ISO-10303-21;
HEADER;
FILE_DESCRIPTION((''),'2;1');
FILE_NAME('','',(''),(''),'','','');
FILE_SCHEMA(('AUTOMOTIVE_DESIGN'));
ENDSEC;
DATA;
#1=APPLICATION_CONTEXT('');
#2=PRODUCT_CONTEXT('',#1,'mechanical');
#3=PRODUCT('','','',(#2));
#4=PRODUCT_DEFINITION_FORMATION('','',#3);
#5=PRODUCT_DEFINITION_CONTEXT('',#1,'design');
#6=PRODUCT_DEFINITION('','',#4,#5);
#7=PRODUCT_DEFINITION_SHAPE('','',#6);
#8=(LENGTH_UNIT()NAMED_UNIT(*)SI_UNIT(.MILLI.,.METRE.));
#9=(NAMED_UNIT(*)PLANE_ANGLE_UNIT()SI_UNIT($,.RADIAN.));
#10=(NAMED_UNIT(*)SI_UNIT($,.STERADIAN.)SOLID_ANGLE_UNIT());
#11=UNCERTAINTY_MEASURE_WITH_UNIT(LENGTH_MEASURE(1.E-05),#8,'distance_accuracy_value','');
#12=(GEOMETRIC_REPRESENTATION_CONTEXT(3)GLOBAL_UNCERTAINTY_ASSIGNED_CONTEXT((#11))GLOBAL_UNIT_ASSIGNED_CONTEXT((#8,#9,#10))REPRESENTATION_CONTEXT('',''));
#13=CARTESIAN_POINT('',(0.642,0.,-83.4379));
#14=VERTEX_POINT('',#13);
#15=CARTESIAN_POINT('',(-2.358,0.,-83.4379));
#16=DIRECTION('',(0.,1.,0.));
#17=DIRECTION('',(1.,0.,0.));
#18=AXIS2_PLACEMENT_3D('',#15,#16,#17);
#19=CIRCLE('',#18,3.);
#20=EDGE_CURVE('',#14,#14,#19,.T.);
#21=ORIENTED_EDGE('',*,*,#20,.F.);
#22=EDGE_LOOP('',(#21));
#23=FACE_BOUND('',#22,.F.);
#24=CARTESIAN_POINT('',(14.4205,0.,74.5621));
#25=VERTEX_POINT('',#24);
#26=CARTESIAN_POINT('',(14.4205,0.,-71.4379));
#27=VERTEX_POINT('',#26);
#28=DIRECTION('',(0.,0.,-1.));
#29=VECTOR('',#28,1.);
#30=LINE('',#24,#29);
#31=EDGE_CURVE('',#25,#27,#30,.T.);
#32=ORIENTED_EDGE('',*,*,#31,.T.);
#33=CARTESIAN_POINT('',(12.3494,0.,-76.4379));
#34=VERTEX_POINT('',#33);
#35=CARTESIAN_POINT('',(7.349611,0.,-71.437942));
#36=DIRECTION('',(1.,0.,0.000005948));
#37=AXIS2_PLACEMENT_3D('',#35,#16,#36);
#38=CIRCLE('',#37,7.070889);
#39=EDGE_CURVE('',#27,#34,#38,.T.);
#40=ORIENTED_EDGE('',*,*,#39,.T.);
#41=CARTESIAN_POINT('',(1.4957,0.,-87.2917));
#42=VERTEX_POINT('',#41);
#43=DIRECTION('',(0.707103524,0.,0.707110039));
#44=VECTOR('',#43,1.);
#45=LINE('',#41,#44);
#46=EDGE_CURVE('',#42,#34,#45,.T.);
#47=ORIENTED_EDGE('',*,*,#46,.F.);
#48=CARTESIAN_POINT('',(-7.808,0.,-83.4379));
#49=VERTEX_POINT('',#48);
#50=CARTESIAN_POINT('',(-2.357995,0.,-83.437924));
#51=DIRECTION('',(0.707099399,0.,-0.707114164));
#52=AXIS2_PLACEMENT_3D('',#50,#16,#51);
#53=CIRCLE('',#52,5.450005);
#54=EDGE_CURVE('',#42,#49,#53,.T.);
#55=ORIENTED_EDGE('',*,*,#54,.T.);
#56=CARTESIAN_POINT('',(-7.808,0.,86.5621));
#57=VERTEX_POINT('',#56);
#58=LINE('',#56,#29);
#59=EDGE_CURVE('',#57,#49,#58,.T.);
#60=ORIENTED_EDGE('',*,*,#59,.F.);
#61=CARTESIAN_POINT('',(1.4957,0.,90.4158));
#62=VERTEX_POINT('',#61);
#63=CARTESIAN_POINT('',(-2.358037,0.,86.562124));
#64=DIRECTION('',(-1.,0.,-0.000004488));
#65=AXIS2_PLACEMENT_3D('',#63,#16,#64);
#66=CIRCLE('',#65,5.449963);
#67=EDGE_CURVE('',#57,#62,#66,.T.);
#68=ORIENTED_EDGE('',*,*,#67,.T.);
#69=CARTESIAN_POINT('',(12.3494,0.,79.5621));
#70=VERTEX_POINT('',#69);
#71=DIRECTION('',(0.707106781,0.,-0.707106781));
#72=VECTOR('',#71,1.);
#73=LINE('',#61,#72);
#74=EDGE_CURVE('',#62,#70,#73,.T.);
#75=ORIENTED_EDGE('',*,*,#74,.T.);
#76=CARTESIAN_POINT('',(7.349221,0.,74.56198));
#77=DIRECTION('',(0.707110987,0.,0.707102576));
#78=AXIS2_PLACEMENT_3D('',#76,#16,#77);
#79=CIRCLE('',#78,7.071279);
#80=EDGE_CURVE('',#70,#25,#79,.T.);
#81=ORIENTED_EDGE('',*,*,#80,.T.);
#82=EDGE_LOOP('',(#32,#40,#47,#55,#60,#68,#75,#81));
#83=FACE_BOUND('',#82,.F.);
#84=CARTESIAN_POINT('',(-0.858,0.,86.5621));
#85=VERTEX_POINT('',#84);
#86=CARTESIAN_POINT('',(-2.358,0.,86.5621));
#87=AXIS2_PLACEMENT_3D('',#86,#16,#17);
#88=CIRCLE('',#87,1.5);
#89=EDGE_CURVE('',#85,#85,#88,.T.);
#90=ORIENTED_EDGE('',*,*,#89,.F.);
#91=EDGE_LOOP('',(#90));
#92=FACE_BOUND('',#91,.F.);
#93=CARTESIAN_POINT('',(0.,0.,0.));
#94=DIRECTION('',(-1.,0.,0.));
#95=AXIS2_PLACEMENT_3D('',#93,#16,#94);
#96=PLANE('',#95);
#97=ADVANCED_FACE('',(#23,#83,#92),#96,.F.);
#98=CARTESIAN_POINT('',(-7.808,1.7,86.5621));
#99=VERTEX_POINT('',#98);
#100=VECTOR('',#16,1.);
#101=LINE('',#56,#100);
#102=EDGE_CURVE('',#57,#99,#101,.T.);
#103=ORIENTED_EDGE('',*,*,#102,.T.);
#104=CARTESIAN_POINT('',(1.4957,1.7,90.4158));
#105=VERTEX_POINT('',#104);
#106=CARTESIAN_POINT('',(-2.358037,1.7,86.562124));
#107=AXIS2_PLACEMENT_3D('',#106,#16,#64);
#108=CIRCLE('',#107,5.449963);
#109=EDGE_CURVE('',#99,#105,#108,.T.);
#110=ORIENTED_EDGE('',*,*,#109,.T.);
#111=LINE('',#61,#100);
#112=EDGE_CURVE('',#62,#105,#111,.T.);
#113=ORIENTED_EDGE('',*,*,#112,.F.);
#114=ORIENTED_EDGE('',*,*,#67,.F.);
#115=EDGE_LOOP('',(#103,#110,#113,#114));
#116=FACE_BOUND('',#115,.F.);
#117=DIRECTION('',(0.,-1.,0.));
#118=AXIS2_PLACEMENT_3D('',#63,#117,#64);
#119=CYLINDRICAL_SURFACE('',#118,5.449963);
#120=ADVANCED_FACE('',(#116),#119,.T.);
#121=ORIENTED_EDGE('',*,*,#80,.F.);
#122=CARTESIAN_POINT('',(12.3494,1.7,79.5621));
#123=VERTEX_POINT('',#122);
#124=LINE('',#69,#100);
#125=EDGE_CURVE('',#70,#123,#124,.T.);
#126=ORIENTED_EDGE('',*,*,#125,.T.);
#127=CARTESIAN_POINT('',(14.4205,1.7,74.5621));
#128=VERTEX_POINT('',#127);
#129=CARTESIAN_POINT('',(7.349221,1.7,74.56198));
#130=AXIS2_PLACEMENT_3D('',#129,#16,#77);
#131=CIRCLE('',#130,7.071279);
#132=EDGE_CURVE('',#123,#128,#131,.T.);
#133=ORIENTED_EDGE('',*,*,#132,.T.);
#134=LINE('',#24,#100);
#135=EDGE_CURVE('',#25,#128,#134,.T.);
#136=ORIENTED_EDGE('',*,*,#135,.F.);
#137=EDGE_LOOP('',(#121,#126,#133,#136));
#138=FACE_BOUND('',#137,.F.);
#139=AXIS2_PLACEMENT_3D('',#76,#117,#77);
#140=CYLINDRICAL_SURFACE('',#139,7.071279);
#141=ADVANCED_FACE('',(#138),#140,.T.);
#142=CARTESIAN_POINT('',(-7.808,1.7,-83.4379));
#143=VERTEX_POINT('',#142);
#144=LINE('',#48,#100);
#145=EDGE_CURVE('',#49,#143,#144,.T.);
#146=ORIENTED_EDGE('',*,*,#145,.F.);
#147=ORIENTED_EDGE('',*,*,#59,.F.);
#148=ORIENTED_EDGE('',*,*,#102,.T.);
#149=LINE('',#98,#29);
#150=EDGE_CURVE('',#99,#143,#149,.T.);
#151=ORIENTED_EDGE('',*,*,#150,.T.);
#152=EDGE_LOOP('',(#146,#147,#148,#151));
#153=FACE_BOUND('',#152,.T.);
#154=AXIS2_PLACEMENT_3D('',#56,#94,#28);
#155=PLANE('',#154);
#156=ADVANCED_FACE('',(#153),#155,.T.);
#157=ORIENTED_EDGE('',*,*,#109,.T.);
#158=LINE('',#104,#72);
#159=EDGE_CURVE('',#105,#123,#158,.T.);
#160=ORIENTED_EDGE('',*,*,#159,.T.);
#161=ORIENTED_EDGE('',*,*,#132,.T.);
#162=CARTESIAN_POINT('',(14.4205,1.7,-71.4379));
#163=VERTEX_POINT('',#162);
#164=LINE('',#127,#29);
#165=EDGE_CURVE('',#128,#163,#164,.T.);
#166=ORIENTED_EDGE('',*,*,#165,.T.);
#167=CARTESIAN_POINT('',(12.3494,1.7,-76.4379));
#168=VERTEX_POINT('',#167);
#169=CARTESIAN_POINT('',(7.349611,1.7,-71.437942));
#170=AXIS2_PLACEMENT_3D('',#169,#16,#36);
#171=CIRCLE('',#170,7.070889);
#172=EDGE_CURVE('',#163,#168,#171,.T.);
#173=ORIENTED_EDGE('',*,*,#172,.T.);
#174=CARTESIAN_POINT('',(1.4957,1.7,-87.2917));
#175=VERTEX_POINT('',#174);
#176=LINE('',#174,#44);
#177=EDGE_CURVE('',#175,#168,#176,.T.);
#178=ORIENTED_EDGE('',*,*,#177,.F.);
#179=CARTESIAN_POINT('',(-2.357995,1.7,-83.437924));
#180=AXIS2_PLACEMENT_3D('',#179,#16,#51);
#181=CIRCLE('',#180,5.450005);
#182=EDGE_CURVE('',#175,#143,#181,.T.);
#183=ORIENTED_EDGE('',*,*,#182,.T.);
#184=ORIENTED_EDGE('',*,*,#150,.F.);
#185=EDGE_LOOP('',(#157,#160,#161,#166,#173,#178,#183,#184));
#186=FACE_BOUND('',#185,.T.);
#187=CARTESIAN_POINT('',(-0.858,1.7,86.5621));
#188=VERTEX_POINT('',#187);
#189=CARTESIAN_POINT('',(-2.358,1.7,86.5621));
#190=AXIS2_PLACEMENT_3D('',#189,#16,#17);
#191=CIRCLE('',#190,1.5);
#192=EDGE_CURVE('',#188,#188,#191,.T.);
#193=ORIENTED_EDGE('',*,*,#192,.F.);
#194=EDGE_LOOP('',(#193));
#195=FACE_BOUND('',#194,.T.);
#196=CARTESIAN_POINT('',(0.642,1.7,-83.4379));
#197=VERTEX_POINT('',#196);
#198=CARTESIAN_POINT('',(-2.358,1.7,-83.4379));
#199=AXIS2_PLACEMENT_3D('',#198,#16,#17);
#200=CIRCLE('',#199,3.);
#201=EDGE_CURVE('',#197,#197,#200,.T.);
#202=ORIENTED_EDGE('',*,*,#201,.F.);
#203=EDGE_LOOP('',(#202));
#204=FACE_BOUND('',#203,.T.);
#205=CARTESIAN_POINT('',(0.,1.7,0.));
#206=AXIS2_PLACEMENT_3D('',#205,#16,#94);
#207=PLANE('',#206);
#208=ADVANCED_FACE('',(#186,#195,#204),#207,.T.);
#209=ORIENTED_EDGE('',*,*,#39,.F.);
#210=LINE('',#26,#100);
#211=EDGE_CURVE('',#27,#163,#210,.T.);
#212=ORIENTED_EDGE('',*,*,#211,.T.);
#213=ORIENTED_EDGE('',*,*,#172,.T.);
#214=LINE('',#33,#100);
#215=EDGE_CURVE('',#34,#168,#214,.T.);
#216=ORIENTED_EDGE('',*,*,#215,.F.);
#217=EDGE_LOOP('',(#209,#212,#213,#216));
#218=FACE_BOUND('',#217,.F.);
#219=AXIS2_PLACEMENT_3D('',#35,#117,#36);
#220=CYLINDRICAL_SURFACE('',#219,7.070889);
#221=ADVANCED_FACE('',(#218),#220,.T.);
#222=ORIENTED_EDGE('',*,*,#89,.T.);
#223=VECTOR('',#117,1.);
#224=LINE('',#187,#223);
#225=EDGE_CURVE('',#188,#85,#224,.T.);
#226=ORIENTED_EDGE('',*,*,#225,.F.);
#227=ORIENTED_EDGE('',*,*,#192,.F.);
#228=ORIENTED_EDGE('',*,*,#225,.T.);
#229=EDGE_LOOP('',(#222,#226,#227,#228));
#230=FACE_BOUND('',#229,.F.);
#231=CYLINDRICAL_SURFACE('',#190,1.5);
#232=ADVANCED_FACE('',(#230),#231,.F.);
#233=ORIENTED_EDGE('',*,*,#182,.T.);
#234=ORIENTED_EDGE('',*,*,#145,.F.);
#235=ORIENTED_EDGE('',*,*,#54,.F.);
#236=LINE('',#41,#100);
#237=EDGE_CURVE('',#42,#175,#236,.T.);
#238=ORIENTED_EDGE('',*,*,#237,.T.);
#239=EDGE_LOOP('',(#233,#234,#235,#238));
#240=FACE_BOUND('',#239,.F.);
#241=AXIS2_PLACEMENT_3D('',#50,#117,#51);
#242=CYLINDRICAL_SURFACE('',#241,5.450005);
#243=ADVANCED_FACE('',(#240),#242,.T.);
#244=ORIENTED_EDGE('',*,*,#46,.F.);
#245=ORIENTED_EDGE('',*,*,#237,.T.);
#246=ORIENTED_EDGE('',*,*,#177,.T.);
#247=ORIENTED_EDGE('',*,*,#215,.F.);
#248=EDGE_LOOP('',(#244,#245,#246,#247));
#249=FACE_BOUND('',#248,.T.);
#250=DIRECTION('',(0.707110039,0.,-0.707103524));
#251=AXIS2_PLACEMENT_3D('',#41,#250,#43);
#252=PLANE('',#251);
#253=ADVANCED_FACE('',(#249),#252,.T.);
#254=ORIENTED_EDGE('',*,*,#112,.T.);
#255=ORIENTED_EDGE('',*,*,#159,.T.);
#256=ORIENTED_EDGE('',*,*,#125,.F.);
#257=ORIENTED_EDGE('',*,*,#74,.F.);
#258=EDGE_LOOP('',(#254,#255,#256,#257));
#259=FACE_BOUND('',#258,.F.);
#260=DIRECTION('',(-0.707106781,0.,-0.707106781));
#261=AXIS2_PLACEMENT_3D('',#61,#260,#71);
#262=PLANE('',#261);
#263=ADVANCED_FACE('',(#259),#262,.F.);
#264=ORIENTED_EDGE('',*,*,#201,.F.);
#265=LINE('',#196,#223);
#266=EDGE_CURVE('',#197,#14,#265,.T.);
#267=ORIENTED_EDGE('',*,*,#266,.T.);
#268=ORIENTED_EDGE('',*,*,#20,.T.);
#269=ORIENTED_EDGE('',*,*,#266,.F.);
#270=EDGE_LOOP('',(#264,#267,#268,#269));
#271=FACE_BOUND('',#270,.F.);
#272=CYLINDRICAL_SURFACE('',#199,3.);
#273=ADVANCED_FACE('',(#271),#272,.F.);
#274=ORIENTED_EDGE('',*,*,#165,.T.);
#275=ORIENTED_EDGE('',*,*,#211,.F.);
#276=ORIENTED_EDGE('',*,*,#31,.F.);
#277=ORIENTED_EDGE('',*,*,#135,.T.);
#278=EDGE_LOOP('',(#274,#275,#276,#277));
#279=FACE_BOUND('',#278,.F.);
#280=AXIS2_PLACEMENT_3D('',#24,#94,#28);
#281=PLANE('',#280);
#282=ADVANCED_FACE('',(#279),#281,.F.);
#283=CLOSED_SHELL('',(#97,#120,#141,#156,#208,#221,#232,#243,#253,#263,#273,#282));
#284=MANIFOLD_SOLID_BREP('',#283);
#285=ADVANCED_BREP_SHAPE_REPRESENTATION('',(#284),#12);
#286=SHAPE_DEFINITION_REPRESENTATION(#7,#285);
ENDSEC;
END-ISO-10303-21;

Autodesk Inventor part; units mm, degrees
ref_plane "YZ Plane" through (0, 0, 0) normal (1, 0, 0) x (0, 1, 0)
ref_plane "XZ Plane" through (0, 0, 0) normal (0, 1, 0) x (-1, 0, 0)
ref_plane "XY Plane" through (0, 0, 0) normal (0, 0, 1) x (1, 0, 0)
sketch "Sketch1" plane through (0, 0, 0) normal (0, 1, 0) x (-1, 0, 0)
  arc A0 (7.808, 86.5621) -> (-1.4957, 90.4158) centre (2.358, 86.5621) ccw
  line L0 (7.808, 86.5621) -> (7.808, -83.4379)
  line L1 (-1.4957, 90.4158) -> (-12.3494, 79.5621)
  arc A1 (-12.3494, 79.5621) -> (-14.4205, 74.5621) centre (-7.3494, 74.5621) ccw
  line L2 (-14.4205, 74.5621) -> (-14.4205, -71.4379)
  arc A2 (-1.4957, -87.2917) -> (7.808, -83.4379) centre (2.358, -83.4379) ccw
  line L3 (-1.4957, -87.2917) -> (-12.3494, -76.4379)
  arc A3 (-14.4205, -71.4379) -> (-12.3494, -76.4379) centre (-7.3494, -71.4379) ccw
  point P0 (0, 0)
  dimension "d0" = 10.9
  dimension "d1" = 170
  dimension "d2" = 0
  dimension "d3" = 12
  dimension "d4" = 12
  dimension "d5" = 5.45
  dimension "d6" = 45
  dimension "d7" = 7
  dimension "d8" = 7
  dimension "d9" = 10.9
  dimension "d10" = 135
extrude "Extrusion1" add sketch "Sketch1" along normal blind 1.7
sketch "Sketch2" plane through (0, 1.7, 0) normal (0, 1, 0) x (1, 0, 0)
  arc A0 (1.4957, 87.2917) -> (-7.808, 83.4379) centre (-2.358, 83.4379) ccw projected
  arc A1 (-7.808, -86.5621) -> (1.4957, -90.4158) centre (-2.358, -86.5621) ccw projected
  circle A2 centre (-2.358, 83.4379) radius 3
  circle A3 centre (-2.358, -86.5621) radius 1.5
  point P0 (0, 0)
  dimension "d13" = 6
  dimension "d14" = 3
extrude "Extrusion2" cut sketch "Sketch2" against normal through all
properties part number "A2P4"
